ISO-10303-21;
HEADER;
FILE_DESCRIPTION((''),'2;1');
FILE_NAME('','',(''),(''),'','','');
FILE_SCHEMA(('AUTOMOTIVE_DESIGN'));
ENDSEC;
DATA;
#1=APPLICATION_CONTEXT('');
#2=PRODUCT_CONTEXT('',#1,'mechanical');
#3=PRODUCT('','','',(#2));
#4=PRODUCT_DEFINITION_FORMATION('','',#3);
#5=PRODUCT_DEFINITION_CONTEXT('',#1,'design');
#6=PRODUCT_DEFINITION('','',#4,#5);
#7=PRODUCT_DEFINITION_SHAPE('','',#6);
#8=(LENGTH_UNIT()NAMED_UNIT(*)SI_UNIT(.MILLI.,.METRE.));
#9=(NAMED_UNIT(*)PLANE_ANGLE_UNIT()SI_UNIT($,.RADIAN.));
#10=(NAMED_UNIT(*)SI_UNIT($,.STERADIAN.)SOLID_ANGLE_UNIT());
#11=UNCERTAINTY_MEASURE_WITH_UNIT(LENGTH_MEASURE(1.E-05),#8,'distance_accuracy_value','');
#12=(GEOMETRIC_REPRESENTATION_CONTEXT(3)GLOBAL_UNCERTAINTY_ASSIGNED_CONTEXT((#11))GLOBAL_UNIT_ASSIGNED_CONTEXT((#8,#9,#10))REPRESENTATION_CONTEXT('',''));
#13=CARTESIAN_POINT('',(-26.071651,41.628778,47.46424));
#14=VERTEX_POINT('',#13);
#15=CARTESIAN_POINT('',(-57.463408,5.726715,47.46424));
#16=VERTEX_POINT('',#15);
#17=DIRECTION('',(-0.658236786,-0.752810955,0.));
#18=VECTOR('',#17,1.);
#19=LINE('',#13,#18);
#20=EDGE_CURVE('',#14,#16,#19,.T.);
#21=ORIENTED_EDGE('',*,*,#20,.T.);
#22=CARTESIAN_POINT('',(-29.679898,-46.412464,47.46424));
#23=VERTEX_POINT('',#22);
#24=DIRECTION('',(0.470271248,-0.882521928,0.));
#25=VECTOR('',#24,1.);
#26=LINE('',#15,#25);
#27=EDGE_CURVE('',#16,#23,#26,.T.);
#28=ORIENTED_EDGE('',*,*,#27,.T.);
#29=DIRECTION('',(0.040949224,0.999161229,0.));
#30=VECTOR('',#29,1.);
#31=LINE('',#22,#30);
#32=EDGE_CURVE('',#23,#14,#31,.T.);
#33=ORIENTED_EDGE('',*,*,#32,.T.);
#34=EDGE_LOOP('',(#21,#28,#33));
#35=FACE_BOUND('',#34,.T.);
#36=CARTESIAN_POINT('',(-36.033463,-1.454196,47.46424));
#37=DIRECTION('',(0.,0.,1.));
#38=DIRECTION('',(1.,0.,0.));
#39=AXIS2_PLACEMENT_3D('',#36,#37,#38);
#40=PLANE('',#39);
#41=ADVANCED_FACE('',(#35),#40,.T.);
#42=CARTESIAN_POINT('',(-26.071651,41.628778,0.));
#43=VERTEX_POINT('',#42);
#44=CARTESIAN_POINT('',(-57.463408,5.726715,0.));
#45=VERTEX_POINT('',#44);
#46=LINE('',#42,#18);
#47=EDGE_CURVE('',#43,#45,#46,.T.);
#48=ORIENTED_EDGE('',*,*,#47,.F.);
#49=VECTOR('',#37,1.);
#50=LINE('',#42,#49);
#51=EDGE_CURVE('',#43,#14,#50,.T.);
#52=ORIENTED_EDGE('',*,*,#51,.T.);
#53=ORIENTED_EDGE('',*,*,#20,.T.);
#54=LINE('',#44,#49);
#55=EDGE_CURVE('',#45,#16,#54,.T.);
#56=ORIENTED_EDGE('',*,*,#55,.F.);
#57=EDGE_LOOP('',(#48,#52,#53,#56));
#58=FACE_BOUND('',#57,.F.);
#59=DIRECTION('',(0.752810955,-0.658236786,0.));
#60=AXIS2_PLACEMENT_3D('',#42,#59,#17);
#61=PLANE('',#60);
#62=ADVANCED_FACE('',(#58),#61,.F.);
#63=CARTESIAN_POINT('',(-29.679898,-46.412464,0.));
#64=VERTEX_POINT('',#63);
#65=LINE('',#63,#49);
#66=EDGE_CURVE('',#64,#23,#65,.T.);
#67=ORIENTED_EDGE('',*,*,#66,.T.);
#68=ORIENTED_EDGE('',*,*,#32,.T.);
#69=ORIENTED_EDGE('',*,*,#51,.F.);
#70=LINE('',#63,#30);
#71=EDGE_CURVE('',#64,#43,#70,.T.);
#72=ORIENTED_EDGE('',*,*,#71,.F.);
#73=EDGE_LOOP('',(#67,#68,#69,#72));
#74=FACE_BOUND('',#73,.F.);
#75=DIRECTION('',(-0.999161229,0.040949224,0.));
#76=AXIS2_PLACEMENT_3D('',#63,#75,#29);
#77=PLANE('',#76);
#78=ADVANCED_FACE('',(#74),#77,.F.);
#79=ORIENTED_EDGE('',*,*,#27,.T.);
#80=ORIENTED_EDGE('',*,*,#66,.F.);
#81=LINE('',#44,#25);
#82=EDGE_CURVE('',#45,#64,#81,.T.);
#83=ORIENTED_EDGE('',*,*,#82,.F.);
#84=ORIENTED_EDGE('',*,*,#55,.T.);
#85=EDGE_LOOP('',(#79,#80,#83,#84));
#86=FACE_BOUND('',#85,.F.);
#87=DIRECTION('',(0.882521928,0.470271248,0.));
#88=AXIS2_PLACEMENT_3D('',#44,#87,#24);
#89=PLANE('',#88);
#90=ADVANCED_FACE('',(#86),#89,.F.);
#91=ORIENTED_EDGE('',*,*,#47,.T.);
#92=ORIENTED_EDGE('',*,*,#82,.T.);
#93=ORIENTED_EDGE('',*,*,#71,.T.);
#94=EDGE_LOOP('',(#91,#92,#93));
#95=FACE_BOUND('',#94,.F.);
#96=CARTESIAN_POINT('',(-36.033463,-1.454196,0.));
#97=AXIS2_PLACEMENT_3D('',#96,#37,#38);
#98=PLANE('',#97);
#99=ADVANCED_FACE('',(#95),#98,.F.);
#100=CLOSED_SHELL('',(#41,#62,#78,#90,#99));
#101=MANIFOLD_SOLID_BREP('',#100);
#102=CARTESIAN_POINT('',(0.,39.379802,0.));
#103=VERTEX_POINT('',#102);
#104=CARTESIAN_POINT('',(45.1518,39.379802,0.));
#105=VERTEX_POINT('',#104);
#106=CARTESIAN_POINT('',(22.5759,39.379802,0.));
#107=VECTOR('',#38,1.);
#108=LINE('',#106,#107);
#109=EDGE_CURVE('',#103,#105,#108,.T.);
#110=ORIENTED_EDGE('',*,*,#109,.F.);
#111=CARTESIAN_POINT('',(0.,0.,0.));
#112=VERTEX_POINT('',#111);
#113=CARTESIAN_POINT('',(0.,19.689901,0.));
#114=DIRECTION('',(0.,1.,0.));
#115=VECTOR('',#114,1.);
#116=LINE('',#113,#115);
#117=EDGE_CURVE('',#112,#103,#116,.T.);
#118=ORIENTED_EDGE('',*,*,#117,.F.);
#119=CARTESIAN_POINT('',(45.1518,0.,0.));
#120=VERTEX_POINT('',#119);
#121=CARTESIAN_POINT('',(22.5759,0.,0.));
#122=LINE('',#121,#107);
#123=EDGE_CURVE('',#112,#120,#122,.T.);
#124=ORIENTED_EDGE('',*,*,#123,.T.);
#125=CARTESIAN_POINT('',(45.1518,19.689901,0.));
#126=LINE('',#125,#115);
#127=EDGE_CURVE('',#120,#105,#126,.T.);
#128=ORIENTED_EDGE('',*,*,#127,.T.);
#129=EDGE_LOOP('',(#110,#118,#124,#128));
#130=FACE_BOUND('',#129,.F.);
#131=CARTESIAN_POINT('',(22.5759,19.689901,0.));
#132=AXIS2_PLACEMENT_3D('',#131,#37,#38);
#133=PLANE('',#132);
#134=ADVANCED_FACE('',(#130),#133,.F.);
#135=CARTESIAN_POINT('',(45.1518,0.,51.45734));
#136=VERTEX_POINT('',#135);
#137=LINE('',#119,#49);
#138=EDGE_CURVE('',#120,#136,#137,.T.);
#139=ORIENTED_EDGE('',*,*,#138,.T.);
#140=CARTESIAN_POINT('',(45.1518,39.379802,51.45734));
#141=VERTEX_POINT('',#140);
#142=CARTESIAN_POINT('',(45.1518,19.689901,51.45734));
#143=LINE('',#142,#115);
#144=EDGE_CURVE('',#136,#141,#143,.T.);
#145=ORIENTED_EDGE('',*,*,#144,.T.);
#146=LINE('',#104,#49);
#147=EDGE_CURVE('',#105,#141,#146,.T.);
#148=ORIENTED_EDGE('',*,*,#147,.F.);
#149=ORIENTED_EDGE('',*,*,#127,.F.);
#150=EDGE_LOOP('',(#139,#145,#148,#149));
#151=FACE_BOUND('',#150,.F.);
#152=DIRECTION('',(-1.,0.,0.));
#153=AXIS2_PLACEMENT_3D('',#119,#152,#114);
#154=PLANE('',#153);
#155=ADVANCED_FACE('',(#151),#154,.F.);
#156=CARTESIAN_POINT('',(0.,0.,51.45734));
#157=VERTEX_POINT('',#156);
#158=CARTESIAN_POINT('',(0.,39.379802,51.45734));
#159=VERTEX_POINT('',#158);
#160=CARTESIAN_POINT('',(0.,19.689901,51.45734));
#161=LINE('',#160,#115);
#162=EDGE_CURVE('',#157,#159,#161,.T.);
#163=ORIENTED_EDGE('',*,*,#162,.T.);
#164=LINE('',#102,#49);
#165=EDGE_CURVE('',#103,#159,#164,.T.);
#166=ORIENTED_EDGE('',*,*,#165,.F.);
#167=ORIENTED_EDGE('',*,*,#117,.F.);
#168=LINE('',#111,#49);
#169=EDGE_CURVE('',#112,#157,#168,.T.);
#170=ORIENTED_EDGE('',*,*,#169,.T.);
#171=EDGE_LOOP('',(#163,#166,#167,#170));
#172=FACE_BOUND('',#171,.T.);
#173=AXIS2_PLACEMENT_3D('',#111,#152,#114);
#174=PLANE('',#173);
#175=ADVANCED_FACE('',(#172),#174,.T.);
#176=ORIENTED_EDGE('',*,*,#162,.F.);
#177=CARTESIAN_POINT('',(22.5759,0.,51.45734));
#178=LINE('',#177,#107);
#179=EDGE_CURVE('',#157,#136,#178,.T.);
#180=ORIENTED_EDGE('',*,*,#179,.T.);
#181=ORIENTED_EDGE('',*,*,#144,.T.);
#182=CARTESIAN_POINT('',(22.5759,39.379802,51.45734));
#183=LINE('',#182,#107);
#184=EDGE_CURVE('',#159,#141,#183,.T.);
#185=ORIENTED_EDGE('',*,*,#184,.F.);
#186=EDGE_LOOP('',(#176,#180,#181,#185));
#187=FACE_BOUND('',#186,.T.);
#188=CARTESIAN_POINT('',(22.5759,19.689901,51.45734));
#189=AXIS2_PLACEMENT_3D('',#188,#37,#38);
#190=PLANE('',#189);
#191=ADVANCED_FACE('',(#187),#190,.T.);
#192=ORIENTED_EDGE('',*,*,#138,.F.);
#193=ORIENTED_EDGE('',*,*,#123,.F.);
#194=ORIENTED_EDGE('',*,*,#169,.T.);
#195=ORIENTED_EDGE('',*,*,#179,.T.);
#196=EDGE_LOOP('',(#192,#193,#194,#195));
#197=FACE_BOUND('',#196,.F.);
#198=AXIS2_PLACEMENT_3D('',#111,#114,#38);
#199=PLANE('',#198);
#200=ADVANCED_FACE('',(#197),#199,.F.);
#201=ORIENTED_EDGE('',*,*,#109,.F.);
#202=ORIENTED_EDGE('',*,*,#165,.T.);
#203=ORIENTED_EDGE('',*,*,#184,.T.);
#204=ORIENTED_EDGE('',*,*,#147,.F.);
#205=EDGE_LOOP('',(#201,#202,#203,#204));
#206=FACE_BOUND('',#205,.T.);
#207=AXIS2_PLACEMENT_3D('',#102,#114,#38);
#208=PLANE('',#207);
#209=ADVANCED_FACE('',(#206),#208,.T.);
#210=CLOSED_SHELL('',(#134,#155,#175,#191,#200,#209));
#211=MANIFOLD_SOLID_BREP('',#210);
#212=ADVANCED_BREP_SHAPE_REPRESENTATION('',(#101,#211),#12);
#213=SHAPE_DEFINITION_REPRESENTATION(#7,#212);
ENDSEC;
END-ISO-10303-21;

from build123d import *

# Parameters (mm, degrees)
F0_W     = 45.1518
F0_H     = 39.379802
F1_DEPTH = 51.45734
F3_DEPTH = 47.46424


with BuildPart() as f1:
    # F0 (on Top) → F1 (new body)
    with BuildSketch(Plane.XY):
        with Locations((22.5759, 19.689901)):
            Rectangle(F0_W, F0_H)
    extrude(amount=F1_DEPTH)


with BuildPart() as f3:
    # F2 (on Top) → F3 (new body)
    with BuildSketch(Plane.XY):
        Polygon((-29.679898, -46.412464), (-26.071651, 41.628778), (-57.463408, 5.726715), align=None)
    extrude(amount=F3_DEPTH)


solid = Compound([f1.part, f3.part])
